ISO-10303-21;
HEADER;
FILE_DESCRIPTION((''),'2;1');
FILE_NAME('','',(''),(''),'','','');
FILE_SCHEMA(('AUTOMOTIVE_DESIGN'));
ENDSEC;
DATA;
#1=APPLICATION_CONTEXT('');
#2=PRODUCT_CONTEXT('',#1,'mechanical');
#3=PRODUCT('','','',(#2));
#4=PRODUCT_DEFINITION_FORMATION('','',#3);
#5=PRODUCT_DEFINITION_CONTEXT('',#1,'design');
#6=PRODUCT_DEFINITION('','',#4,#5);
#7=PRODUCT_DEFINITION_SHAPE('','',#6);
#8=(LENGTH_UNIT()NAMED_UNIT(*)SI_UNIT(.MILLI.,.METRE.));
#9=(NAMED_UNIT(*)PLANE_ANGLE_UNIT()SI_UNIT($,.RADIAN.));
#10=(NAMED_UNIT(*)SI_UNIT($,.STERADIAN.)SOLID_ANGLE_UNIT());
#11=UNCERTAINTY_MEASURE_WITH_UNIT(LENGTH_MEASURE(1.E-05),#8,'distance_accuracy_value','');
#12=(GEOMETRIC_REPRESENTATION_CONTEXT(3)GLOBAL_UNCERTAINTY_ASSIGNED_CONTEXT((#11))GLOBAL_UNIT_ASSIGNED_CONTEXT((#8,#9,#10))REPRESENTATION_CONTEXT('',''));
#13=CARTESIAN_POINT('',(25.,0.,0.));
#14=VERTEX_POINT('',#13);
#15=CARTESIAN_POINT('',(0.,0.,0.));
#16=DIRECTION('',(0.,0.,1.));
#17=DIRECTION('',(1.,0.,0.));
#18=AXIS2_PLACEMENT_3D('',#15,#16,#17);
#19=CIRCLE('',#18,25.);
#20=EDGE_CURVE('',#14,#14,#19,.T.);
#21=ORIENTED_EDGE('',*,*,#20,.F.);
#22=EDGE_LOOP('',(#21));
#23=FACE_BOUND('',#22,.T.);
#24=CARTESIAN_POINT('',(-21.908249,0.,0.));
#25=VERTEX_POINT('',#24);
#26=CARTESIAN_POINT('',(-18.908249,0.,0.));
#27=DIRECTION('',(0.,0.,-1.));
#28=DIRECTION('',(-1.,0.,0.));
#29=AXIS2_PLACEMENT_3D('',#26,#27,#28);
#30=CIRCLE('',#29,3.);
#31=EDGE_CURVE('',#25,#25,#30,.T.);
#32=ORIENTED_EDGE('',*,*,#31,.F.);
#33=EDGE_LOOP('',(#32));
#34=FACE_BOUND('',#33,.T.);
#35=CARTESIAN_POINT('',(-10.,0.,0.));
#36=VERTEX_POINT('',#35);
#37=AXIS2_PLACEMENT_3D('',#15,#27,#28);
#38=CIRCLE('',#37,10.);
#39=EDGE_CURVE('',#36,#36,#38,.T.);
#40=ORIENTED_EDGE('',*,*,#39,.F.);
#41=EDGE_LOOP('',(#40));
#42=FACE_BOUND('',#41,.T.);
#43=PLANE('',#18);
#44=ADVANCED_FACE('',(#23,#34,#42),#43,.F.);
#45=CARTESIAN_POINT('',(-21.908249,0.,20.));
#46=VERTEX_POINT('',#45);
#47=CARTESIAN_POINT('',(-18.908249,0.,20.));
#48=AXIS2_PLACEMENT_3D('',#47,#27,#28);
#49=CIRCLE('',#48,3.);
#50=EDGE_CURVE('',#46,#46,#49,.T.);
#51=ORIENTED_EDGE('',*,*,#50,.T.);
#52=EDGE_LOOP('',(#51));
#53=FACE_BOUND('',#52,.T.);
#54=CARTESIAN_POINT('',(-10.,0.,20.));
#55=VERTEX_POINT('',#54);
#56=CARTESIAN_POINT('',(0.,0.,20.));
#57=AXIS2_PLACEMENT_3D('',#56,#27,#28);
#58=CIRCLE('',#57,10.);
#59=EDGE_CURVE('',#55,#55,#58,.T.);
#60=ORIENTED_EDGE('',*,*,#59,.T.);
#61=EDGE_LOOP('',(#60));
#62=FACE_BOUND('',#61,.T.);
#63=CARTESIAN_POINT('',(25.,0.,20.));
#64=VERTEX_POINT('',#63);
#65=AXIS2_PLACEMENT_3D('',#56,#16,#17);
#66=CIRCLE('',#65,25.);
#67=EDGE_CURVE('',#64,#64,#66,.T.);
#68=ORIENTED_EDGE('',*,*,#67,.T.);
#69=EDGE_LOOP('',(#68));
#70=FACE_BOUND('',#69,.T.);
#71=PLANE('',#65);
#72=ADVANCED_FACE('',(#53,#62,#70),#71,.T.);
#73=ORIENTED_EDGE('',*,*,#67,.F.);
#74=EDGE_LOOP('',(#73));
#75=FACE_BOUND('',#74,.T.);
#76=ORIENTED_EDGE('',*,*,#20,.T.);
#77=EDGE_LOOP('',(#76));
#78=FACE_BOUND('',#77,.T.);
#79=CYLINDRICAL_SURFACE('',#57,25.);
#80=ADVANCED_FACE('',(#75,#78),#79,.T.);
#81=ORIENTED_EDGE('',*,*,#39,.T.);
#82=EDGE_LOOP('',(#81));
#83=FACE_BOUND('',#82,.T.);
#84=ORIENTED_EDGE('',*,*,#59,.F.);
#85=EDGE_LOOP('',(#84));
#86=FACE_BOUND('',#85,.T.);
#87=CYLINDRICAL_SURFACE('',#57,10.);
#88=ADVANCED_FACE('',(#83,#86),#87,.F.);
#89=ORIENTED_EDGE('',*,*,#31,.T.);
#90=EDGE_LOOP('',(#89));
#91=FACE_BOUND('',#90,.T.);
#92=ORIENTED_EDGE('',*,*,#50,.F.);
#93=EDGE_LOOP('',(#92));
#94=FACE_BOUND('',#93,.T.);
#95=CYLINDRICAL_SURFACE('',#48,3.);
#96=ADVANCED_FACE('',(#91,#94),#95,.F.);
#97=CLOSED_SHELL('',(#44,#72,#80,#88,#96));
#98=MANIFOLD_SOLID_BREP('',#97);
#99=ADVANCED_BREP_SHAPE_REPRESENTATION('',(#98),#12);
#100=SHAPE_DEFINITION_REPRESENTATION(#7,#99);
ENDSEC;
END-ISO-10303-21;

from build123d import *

# Parameters (mm, degrees)
SKETCH1_R           = 25
BOSS_EXTRUDE1_DEPTH = 20
SKETCH3_R           = 10
SKETCH3_R_2         = 3
CUT_EXTRUDE2_DEPTH  = 21


with BuildPart() as part:
    # Sketch1 → Boss-Extrude1 (new body)
    with BuildSketch(Plane.XY):
        Circle(SKETCH1_R)
    extrude(amount=BOSS_EXTRUDE1_DEPTH)

    # Sketch3 → Cut-Extrude2 (cut, through all)
    with BuildSketch(Plane(origin=(0, 0, 0), x_dir=(-1, 0, 0), z_dir=(0, 0, -1))):
        Circle(SKETCH3_R)
        with Locations((18.908249043, 0)):
            Circle(SKETCH3_R_2)
    extrude(amount=-CUT_EXTRUDE2_DEPTH, mode=Mode.SUBTRACT)


solid = part.part
